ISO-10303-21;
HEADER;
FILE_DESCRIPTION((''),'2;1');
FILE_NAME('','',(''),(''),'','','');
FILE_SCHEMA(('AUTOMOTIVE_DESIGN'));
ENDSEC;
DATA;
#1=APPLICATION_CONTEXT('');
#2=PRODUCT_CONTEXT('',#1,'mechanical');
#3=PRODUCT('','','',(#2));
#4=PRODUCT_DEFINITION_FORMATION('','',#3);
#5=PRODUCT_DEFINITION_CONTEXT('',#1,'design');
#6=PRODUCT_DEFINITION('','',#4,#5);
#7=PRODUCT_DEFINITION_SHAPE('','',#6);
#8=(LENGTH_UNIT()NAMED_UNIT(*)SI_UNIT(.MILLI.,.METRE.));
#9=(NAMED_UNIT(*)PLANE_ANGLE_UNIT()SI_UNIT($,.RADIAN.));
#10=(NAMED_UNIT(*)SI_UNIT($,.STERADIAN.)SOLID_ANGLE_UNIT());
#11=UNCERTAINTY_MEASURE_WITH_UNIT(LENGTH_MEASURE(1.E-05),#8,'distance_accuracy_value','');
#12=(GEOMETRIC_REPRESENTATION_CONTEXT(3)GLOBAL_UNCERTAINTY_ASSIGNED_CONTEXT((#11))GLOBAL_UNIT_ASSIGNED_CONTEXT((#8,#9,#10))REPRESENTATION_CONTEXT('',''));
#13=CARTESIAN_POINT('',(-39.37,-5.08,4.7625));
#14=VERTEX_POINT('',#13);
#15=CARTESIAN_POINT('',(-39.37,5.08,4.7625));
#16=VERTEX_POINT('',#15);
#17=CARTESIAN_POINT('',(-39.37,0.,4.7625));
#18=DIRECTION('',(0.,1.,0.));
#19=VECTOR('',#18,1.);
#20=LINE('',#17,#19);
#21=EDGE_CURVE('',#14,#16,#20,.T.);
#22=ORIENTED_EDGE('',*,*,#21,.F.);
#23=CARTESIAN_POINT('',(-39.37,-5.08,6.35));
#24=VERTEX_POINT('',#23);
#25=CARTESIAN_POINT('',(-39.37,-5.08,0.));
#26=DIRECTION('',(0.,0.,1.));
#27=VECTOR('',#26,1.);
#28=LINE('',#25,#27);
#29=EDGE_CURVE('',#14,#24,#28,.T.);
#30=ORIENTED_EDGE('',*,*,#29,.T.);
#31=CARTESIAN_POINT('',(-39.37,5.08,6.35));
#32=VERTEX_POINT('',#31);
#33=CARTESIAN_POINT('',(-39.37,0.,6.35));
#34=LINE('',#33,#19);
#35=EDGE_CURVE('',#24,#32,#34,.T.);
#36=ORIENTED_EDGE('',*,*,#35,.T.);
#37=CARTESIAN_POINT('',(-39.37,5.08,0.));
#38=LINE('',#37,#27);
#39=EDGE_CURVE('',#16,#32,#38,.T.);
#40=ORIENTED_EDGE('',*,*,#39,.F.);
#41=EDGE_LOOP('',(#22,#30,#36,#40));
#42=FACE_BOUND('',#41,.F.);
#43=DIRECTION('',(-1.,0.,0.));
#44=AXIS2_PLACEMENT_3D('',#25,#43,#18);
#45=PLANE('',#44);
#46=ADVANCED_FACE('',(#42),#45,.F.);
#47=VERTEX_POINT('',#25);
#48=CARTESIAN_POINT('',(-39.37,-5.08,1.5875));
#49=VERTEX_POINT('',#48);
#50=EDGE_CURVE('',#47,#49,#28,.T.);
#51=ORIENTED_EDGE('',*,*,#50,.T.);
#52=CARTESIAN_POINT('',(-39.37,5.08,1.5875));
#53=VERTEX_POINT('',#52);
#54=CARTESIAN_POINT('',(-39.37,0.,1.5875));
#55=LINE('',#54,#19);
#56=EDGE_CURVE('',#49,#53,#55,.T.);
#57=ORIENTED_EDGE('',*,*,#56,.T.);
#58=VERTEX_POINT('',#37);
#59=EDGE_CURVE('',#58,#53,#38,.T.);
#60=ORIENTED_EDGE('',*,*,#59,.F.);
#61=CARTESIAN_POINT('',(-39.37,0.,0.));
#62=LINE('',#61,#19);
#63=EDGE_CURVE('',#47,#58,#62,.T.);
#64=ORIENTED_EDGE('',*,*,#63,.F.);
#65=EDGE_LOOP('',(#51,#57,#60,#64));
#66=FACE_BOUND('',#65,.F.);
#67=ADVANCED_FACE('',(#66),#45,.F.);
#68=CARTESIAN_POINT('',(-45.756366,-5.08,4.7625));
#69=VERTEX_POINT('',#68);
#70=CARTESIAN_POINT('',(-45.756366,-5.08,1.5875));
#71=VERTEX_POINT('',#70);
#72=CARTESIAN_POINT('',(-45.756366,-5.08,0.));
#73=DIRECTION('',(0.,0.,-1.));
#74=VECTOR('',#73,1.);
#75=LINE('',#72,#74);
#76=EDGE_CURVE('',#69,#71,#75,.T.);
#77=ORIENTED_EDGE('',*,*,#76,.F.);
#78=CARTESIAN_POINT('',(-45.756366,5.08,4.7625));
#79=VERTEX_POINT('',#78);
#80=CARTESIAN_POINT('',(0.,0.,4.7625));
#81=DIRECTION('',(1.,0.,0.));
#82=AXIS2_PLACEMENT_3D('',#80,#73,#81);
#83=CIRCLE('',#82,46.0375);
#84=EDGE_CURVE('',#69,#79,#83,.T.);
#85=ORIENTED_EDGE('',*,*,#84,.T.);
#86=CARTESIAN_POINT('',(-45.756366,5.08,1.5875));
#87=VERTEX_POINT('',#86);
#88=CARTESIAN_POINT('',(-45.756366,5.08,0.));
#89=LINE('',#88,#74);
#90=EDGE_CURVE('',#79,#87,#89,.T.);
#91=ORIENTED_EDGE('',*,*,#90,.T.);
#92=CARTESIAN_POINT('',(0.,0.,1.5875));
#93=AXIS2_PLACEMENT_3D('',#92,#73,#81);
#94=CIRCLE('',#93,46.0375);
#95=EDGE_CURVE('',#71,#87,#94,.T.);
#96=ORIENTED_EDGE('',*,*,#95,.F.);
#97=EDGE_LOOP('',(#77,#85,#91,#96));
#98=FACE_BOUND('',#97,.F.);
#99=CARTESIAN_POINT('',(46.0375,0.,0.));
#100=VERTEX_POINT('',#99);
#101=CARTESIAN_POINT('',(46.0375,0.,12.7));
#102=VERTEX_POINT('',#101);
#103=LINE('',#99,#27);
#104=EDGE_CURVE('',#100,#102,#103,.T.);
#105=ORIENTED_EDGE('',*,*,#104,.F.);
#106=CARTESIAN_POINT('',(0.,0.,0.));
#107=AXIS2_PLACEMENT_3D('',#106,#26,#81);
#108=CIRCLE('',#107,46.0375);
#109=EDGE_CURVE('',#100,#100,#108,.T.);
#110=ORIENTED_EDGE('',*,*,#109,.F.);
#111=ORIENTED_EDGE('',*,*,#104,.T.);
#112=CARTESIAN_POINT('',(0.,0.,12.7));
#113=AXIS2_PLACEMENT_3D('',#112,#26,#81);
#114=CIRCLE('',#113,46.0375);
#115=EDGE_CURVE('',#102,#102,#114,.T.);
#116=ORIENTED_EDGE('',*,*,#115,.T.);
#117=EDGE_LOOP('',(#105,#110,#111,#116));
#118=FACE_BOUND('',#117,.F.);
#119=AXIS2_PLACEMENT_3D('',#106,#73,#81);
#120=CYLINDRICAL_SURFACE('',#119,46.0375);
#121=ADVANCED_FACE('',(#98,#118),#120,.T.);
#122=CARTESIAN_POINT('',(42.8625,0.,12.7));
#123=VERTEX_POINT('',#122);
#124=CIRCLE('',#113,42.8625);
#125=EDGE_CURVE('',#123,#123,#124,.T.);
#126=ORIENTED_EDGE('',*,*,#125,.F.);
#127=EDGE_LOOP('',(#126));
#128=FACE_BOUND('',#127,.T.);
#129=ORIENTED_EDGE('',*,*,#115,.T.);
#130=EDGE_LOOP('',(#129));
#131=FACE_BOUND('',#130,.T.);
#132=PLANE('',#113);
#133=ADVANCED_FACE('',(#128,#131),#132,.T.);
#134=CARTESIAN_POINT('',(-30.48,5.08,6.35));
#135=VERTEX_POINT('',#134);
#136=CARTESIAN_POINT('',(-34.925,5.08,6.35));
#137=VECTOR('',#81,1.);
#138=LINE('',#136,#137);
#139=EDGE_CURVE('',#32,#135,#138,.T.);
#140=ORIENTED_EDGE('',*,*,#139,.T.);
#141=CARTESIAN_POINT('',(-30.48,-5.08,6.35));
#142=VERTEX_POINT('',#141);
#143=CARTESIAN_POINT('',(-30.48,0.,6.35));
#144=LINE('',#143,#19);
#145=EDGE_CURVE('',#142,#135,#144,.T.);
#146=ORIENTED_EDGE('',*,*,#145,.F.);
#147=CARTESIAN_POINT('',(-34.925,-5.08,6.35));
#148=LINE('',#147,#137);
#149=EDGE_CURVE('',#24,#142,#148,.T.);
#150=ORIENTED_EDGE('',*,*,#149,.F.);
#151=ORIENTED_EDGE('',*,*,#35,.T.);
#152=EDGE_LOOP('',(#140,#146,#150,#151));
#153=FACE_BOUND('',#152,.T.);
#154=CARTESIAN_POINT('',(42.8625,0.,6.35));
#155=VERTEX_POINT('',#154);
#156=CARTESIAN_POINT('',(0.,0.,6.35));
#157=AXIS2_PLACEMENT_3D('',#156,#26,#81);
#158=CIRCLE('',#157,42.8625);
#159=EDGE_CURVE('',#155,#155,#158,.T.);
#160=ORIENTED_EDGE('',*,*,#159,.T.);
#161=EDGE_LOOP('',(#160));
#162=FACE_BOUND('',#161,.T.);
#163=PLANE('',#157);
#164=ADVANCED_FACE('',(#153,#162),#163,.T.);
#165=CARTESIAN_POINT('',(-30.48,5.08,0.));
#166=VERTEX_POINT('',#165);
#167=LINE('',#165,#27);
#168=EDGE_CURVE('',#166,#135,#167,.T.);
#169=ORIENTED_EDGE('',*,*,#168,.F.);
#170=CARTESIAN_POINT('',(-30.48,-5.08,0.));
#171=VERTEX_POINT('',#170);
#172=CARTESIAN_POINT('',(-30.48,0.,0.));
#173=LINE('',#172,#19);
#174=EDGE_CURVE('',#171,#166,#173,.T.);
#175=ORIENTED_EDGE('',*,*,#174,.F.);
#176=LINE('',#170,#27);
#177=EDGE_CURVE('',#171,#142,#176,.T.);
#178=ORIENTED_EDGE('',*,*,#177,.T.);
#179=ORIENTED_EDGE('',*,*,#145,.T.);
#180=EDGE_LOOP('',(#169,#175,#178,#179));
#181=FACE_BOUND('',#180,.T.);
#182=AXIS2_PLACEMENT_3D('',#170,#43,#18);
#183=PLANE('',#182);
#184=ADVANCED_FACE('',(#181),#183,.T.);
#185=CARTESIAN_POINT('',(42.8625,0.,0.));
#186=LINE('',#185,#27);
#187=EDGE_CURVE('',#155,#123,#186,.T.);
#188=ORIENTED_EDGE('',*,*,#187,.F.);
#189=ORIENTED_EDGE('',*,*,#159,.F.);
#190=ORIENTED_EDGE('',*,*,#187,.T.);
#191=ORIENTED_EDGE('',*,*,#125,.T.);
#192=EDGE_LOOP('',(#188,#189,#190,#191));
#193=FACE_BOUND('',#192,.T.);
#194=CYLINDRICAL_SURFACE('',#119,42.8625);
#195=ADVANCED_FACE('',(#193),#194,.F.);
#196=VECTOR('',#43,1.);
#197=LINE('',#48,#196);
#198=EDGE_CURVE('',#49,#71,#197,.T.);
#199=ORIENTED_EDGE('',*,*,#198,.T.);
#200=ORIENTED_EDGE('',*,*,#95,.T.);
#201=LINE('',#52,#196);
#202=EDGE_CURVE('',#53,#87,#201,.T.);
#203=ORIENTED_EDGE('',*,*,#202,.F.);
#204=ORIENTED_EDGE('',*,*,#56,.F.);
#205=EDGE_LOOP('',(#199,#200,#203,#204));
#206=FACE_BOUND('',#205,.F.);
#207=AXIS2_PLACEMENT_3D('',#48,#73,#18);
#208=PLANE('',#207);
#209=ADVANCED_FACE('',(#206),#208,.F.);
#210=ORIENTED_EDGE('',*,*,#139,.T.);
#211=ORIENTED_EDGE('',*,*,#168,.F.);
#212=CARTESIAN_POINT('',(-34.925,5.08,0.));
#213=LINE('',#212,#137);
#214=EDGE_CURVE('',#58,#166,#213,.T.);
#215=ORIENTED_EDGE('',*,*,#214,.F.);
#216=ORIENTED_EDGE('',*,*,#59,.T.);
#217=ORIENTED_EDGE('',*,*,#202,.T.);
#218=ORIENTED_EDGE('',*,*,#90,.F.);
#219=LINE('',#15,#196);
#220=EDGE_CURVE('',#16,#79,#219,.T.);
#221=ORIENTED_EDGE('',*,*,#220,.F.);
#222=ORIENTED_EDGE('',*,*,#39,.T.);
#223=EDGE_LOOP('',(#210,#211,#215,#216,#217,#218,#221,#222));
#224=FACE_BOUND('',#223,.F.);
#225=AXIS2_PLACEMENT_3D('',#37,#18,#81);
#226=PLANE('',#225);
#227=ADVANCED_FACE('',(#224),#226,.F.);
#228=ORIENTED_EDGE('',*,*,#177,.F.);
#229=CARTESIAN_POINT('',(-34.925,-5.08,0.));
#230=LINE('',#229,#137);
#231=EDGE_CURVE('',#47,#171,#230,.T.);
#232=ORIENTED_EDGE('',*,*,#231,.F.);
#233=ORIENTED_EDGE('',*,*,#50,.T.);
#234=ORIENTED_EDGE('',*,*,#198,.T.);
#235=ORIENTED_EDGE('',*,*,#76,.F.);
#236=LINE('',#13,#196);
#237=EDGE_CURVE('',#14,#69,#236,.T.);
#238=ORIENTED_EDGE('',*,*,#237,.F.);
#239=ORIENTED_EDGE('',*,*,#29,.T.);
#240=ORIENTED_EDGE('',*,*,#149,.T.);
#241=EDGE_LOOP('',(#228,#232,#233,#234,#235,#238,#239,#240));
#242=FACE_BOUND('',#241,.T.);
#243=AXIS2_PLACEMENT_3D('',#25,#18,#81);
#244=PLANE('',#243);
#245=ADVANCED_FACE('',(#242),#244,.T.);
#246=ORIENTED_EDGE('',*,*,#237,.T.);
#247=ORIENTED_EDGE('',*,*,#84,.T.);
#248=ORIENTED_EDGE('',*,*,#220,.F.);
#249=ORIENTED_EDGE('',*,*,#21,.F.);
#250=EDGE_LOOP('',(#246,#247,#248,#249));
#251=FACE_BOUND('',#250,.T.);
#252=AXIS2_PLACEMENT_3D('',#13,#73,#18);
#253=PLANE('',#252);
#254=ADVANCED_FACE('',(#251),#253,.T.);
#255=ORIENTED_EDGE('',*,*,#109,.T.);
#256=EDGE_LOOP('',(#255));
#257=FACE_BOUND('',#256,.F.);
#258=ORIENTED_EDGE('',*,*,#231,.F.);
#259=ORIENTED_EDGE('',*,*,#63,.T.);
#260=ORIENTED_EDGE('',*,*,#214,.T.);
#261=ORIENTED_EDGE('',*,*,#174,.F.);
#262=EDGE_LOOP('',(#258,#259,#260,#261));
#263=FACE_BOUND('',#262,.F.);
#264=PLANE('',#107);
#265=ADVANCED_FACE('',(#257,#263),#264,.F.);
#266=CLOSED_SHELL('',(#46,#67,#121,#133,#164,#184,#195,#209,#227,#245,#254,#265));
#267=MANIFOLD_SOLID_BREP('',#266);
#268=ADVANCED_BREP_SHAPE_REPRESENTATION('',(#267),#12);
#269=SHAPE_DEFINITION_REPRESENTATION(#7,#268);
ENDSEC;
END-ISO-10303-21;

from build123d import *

# Parameters (mm, degrees)
F0_R     = 46.0375
F0_R_2   = 42.8625
F1_DEPTH = 12.7
F0_W     = 8.89
F0_H     = 10.16
F2_DEPTH = 6.35
F3_W     = 10.16
F3_H     = 3.175
F4_DEPTH = 6.6685


with BuildPart() as f1:
    # F0 (on Top) → F1 (new body)
    with BuildSketch(Plane.XY):
        Circle(F0_R)
        Circle(F0_R_2, mode=Mode.SUBTRACT)
    extrude(amount=F1_DEPTH)

    # F0 (on Top) → F2 (join)
    with BuildSketch(Plane.XY):
        Circle(F0_R_2)
        with Locations((-34.925, 0)):
            Rectangle(F0_W, F0_H, mode=Mode.SUBTRACT)
    extrude(amount=F2_DEPTH)

    # F3 (on face) → F4 (cut, through all)
    with BuildSketch(Plane.YZ.offset(-39.37)):
        with Locations((0, 3.175)):
            Rectangle(F3_W, F3_H)
    extrude(amount=-F4_DEPTH, mode=Mode.SUBTRACT)


solid = f1.part
